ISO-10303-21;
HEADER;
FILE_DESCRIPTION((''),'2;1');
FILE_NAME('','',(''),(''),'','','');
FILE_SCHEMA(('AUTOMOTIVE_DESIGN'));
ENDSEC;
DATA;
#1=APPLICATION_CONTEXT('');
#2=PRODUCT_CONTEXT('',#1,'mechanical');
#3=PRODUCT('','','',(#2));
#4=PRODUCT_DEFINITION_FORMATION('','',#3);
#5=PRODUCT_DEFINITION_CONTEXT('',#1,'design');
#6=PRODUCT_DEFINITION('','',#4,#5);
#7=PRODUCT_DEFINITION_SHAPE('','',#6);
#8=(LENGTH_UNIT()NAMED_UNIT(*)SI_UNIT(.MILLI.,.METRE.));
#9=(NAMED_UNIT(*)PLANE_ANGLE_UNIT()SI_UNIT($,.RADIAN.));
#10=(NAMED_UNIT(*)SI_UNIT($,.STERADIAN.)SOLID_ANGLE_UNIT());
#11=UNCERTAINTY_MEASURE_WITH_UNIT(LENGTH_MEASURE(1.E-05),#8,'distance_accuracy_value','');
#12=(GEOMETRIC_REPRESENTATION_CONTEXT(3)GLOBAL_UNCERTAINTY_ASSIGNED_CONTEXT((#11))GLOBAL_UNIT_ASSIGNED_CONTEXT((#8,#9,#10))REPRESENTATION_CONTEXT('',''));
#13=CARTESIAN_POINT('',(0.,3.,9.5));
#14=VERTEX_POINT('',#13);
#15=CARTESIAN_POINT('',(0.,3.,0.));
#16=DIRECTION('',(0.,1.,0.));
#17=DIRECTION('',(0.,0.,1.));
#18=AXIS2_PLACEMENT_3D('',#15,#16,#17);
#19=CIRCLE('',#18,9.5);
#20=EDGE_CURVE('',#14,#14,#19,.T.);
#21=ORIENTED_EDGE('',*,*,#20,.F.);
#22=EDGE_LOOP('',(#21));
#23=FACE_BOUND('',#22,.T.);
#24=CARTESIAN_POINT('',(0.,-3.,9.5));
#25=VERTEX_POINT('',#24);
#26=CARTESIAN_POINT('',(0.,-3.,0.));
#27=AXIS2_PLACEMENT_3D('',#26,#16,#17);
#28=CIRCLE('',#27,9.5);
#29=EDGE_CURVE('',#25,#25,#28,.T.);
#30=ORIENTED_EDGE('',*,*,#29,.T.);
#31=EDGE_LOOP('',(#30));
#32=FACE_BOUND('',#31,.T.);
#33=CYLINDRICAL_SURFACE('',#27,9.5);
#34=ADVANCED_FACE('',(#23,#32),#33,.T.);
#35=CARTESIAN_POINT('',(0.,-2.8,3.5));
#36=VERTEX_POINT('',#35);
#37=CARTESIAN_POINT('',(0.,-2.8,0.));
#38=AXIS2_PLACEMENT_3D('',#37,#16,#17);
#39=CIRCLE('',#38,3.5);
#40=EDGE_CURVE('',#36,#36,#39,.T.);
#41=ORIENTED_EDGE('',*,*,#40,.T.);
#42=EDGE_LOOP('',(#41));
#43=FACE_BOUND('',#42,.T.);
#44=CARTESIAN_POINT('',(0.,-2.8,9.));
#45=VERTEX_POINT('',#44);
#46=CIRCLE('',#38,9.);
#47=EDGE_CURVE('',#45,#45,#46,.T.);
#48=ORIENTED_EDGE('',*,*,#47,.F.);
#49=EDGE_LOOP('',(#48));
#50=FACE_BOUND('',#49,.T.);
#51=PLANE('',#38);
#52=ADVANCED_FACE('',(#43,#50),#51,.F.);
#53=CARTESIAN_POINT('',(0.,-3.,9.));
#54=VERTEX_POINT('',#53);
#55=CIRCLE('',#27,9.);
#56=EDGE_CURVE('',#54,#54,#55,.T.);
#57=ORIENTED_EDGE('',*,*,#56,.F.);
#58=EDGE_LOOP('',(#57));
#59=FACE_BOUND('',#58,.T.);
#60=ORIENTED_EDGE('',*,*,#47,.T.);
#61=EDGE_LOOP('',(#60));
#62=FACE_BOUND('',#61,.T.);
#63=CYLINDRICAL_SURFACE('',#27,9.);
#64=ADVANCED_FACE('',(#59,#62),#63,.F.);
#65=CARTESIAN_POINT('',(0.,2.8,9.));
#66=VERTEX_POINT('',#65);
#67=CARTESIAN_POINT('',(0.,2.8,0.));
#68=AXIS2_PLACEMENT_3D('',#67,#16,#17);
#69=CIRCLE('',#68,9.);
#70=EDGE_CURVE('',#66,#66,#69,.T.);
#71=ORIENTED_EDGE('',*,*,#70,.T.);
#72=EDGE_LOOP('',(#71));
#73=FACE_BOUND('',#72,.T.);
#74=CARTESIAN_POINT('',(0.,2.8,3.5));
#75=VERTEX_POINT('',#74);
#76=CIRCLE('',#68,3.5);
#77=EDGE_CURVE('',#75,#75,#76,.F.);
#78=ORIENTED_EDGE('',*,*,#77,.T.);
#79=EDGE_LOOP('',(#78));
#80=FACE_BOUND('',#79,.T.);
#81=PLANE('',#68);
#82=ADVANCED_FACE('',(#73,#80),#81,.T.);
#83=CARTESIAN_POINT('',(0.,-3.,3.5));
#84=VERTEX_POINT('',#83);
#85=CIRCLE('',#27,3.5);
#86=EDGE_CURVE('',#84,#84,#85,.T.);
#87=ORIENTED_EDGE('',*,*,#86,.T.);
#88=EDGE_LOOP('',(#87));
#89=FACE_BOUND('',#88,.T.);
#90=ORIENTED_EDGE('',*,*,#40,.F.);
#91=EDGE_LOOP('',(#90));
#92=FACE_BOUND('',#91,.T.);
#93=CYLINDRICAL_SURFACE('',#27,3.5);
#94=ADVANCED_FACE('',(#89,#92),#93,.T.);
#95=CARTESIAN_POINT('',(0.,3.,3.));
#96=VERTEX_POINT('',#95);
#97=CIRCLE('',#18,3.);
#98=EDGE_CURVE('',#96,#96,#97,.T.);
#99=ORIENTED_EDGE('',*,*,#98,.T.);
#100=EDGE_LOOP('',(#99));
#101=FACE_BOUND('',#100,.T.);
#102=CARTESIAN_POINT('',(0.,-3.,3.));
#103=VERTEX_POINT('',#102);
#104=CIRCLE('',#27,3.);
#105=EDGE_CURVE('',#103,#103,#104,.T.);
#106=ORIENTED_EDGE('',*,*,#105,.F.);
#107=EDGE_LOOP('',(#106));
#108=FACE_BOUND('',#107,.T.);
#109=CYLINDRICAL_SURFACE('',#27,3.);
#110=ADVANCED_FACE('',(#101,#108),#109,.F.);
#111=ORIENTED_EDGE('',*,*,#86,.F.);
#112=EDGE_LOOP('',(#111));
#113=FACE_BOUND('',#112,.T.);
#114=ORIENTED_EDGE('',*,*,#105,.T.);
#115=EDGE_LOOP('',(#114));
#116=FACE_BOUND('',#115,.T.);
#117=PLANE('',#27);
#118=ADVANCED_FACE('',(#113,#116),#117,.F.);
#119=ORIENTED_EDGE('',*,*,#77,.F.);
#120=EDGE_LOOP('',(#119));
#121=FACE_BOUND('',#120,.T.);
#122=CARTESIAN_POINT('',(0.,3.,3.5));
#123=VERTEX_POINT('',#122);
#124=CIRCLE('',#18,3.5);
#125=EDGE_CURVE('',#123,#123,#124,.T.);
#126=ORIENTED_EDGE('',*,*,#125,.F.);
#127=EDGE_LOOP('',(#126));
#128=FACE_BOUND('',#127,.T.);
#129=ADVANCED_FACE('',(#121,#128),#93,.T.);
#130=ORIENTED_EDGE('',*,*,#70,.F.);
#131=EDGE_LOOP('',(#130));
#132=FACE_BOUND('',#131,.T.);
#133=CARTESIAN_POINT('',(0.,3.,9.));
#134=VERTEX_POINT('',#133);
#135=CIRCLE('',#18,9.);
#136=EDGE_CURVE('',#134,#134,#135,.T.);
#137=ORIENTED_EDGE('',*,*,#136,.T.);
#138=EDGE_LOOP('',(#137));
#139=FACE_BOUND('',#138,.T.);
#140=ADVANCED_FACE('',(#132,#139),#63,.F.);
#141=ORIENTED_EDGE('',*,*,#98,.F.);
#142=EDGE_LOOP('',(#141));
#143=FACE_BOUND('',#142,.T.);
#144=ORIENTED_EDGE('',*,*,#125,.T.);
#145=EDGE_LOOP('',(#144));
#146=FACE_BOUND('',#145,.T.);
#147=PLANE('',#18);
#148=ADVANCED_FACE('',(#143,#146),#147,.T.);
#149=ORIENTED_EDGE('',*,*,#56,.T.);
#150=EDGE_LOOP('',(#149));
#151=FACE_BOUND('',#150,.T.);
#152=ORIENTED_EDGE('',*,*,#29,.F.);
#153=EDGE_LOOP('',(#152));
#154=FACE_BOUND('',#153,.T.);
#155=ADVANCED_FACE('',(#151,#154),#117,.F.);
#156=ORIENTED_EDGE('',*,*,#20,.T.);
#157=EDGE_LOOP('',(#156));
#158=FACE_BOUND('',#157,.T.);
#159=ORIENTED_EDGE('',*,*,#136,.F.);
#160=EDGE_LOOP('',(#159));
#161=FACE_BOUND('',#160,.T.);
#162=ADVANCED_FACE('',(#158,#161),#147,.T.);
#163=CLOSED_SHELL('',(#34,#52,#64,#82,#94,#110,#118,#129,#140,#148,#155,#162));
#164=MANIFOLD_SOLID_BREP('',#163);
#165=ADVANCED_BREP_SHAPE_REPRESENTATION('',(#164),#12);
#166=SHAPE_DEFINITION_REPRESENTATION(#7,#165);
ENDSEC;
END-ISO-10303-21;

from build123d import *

# Parameters (mm, degrees)
BOSS_EXTRU_1_DEPTH        = 3
BOSS_EXTRU_1_DEPTH_BACK   = 3
ESQUISSE1_R               = 3.5
ESQUISSE1_R_2             = 3
BOSS_EXTRU_1_2_DEPTH      = 3
BOSS_EXTRU_1_2_DEPTH_BACK = 3
ESQUISSE1_R_3             = 9.5
ESQUISSE1_R_4             = 9
BOSS_EXTRU_2_DEPTH        = 2.8
BOSS_EXTRU_2_DEPTH_BACK   = 2.8
ESQUISSE1_6_R             = 9
ESQUISSE1_6_R_2           = 3.5


with BuildPart() as part:
    # Esquisse1 → Boss.-Extru.1 (new, two sides: drawn at the far end of the back side and taken through both)
    with BuildSketch(Plane(origin=(0, 0, 0), x_dir=(1, 0, 0), z_dir=(0, 1, 0)).offset(-BOSS_EXTRU_1_DEPTH_BACK)):
        Circle(ESQUISSE1_R)
        Circle(ESQUISSE1_R_2, mode=Mode.SUBTRACT)
    extrude(amount=BOSS_EXTRU_1_DEPTH + BOSS_EXTRU_1_DEPTH_BACK)



with BuildPart() as body_2:
    # Esquisse1 → Boss.-Extru.1 2 (new, two sides: drawn at the far end of the back side and taken through both)
    with BuildSketch(Plane(origin=(0, 0, 0), x_dir=(1, 0, 0), z_dir=(0, 1, 0)).offset(-BOSS_EXTRU_1_2_DEPTH_BACK)):
        Circle(ESQUISSE1_R_3)
        Circle(ESQUISSE1_R_4, mode=Mode.SUBTRACT)
    extrude(amount=BOSS_EXTRU_1_2_DEPTH + BOSS_EXTRU_1_2_DEPTH_BACK)


with BuildPart() as part_1:
    add(part.part)

    add(body_2.part)  # Boss.-Extru.2 merges body 2
    # Esquisse1_6 → Boss.-Extru.2 (add, two sides: drawn at the far end of the back side and taken through both)
    with BuildSketch(Plane(origin=(0, 0, 0), x_dir=(1, 0, 0), z_dir=(0, 1, 0)).offset(-BOSS_EXTRU_2_DEPTH_BACK)):
        Circle(ESQUISSE1_6_R)
        Circle(ESQUISSE1_6_R_2, mode=Mode.SUBTRACT)
    extrude(amount=BOSS_EXTRU_2_DEPTH + BOSS_EXTRU_2_DEPTH_BACK)


solid = part_1.part
